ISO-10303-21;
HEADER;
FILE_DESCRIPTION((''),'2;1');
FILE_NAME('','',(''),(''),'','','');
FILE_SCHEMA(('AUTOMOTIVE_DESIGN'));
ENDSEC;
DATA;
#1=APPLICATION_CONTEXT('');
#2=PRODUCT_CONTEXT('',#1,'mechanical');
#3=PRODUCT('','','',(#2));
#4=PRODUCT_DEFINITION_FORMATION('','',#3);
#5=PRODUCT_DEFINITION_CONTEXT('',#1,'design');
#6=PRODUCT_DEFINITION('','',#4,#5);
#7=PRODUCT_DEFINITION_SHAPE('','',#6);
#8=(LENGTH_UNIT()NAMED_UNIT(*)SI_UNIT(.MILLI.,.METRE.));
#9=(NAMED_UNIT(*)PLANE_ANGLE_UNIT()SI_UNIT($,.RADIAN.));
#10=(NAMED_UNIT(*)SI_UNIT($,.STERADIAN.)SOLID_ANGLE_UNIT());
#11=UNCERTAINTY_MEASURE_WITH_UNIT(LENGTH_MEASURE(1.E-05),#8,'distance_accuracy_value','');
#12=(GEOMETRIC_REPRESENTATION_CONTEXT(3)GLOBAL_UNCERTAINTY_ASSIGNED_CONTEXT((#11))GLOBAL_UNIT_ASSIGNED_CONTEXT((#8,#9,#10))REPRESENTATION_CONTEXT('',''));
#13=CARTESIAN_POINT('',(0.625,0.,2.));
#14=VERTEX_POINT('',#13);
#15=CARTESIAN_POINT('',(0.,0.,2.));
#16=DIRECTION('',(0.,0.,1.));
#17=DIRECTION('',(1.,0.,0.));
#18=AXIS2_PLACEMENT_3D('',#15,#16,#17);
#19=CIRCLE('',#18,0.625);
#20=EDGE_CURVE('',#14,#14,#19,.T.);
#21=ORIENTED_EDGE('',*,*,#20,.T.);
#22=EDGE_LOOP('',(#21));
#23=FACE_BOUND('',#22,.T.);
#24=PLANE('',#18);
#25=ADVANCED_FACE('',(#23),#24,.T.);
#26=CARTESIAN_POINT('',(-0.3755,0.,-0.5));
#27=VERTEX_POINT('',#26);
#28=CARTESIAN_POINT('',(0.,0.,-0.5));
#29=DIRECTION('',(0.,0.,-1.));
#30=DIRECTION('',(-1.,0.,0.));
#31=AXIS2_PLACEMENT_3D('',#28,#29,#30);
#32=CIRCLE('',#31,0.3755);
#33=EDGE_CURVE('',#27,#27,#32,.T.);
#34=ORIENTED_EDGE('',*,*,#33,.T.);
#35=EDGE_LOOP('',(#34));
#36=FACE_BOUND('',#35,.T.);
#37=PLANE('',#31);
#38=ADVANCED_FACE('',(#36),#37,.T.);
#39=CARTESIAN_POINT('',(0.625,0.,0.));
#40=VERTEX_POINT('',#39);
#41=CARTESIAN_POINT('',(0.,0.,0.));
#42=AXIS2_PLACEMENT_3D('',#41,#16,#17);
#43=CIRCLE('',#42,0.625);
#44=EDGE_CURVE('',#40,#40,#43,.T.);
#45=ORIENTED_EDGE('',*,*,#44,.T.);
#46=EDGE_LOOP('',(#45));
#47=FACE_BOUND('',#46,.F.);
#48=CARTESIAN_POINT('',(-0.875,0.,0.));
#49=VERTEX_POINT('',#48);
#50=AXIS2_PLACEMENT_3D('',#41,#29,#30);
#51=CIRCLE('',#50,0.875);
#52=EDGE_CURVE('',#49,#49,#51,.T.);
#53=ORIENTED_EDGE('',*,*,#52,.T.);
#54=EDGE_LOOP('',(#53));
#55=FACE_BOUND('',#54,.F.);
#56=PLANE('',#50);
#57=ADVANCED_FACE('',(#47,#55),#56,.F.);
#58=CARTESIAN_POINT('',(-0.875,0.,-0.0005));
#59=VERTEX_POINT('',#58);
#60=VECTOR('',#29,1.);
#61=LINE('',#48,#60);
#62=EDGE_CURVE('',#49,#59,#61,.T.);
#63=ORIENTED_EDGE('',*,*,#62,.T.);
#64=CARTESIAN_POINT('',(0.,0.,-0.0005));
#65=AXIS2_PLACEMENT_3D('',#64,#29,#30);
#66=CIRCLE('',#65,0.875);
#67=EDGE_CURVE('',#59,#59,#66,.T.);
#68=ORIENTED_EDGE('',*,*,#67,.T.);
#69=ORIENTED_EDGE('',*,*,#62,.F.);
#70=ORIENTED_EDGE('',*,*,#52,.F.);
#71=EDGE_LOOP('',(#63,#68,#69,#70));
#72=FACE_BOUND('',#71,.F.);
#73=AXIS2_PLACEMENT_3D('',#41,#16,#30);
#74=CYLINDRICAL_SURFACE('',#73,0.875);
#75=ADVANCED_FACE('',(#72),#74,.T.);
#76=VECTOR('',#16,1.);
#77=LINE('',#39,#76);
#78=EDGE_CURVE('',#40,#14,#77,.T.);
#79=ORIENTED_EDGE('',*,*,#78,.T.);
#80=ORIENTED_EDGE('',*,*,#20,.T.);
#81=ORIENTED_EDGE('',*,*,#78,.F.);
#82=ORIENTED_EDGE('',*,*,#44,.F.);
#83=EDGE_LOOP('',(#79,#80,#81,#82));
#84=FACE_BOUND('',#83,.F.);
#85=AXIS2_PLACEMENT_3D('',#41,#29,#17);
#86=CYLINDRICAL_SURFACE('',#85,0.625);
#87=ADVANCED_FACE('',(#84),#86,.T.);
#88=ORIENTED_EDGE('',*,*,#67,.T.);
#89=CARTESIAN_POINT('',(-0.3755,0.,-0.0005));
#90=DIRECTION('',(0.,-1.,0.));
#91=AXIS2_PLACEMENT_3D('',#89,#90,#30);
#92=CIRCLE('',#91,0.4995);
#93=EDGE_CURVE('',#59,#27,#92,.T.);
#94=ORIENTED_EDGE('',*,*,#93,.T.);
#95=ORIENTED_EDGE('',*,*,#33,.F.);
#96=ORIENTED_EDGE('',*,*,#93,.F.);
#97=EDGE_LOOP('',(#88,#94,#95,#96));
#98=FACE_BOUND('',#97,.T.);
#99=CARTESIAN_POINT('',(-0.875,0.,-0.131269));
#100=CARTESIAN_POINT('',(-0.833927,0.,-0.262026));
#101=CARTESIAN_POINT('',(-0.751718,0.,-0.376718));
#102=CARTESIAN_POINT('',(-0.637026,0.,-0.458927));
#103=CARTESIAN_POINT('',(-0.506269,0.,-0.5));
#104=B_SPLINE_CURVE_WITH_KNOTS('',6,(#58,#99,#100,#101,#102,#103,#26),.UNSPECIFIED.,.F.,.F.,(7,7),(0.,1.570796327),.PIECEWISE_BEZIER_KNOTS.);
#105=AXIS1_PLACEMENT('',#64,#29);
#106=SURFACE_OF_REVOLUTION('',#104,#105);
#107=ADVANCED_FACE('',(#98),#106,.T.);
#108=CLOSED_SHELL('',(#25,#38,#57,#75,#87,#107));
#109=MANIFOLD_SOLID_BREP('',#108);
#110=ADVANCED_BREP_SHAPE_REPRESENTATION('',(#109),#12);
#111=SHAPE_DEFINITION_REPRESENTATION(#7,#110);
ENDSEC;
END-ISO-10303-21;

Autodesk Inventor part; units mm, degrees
ref_plane "YZ Plane" through (0, 0, 0) normal (1, 0, 0) x (0, 1, 0)
ref_plane "XZ Plane" through (0, 0, 0) normal (0, 1, 0) x (-1, 0, 0)
ref_plane "XY Plane" through (0, 0, 0) normal (0, 0, 1) x (1, 0, 0)
sketch "Sketch1" plane through (0, 0, 0) normal (0, 0, 1) x (1, 0, 0)
  circle A0 centre (0, 0) radius 0.625
  circle A1 centre (0, 0) radius 0.75
  dimension "d0" = 1.25
  dimension "d3" = 1.5
extrude "Extrusion1" add sketch "Sketch1" along normal blind 2 contours A0
sketch "Sketch2" plane through (0, 0, 0) normal (0, 0, -1) x (-1, 0, 0)
  circle A0 centre (0, 0) radius 0.875
  dimension "d4" = 1.75
extrude "Extrusion2" add sketch "Sketch2" along normal blind 0.5
fillet "Fillet1" radius 0.5 1 edges at (0.875, 0, -0.5)
sketch "Sketch3" plane through (0, 0, 0) normal (1, 0, 0) x (0, 1, 0)
  point P0 (0, 0)
properties part number "surub ochelari" material "Iron, Cast"
